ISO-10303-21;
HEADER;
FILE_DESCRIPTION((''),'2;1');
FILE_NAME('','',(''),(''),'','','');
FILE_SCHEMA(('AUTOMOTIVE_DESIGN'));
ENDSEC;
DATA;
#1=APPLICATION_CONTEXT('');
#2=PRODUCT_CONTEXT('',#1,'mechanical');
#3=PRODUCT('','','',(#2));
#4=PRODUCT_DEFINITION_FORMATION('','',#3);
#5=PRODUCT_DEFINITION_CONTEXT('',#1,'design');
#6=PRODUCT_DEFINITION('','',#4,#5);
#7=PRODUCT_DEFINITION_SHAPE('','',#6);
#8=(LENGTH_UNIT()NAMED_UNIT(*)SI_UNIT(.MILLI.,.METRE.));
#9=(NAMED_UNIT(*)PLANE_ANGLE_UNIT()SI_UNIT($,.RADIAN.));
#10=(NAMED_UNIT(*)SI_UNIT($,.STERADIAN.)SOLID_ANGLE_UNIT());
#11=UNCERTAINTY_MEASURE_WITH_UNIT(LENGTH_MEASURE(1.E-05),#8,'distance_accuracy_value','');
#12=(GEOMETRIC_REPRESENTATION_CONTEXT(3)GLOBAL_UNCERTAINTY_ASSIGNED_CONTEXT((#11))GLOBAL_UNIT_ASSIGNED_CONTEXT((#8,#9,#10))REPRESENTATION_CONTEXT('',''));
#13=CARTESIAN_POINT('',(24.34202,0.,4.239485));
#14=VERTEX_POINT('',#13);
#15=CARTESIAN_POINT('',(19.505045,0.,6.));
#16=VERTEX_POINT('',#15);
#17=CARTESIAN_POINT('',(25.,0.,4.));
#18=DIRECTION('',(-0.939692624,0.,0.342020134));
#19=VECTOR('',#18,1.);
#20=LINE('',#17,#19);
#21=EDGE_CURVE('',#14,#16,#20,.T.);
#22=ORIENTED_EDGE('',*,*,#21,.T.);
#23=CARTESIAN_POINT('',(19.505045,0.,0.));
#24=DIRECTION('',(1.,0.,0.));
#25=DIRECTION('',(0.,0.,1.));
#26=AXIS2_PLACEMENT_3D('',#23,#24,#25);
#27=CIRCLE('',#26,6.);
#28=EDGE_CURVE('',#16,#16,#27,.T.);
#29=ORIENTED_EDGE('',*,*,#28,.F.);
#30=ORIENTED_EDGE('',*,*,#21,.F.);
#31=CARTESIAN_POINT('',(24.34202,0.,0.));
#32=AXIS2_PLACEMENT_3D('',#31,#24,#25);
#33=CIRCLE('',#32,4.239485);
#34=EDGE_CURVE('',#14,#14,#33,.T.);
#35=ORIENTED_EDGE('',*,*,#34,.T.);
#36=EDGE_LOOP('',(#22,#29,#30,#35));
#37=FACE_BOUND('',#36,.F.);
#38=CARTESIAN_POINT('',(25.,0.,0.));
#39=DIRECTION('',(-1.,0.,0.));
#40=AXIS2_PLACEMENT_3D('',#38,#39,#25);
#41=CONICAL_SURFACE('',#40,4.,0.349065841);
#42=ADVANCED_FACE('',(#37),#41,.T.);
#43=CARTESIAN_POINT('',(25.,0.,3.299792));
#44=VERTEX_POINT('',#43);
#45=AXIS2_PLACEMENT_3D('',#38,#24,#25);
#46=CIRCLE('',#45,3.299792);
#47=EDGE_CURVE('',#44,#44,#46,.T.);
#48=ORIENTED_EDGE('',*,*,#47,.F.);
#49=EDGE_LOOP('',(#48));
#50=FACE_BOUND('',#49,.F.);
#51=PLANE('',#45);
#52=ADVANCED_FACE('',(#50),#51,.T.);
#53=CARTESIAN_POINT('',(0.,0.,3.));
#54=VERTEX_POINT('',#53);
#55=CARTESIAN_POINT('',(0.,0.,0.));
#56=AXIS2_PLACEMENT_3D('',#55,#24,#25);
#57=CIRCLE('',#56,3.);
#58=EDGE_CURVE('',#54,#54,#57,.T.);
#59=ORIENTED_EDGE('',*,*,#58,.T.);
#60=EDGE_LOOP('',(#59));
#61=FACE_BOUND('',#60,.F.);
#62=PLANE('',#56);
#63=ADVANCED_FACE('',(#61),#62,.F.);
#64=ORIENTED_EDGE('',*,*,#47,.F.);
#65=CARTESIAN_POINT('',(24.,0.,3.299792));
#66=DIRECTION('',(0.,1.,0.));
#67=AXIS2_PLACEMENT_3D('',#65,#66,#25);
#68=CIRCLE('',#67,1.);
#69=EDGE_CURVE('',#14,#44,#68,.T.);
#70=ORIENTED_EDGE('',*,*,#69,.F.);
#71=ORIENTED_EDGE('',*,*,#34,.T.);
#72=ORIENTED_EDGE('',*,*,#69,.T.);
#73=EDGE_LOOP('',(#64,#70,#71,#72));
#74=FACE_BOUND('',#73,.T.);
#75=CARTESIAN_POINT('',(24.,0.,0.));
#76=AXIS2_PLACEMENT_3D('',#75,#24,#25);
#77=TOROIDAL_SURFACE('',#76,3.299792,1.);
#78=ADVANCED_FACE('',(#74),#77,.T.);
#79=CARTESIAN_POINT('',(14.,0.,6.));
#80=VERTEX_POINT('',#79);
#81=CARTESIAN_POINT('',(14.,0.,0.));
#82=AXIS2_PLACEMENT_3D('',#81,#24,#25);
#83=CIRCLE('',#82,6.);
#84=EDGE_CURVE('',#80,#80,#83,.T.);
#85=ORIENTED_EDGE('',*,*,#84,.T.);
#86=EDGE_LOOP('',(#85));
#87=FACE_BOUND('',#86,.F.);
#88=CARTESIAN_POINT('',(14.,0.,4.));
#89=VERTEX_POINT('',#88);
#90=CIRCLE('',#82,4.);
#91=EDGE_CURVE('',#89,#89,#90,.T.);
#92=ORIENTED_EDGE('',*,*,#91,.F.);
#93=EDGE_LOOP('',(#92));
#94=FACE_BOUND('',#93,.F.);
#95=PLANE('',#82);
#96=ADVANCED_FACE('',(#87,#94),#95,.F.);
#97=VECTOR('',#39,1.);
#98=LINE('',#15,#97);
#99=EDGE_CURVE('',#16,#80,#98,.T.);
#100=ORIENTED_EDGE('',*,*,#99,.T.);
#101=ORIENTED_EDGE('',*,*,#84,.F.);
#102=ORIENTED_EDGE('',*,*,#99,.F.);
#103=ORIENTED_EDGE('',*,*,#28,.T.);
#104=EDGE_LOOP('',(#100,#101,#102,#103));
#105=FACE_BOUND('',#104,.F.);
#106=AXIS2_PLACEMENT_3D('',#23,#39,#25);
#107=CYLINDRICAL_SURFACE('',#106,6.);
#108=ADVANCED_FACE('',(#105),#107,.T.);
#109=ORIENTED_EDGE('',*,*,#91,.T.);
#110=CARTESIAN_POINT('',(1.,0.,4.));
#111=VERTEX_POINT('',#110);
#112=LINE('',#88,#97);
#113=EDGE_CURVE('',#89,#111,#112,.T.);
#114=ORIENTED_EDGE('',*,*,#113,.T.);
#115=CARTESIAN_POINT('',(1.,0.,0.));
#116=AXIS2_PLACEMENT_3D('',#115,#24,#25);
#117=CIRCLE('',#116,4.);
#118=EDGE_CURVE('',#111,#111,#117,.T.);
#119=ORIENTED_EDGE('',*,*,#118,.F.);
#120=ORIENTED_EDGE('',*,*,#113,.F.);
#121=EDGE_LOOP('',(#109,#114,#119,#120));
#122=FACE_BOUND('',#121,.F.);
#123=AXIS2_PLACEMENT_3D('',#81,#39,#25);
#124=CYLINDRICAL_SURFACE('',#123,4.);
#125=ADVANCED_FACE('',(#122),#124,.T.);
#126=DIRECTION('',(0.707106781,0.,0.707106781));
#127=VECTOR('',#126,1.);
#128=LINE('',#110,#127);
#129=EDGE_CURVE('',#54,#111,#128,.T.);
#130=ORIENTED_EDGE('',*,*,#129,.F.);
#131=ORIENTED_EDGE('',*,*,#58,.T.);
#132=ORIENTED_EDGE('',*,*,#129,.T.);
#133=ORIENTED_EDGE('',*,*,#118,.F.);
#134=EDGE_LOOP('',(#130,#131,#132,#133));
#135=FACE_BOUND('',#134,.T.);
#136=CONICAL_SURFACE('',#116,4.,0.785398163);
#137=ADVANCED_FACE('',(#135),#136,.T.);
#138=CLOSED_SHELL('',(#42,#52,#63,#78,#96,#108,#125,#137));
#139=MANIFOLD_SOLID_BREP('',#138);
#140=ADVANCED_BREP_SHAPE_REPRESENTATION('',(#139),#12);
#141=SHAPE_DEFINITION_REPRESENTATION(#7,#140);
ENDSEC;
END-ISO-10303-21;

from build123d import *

# Parameters (mm, degrees)
F2_SIZE = 1
F3_R    = 1


with BuildPart() as f1:
    # F0 (on Front) → F1 (revolve)
    with BuildSketch(Plane.XZ):
        Polygon((0, 4), (0, 0), (25, 0), (25, 4), (19.505045, 6), (14, 6), (14, 4), align=None)
    revolve(axis=Axis((10.323764, 0, 0), (1, 0, 0)))

    # F2
    f2_edges = [f1.edges().sort_by_distance(p)[0] for p in [
        (0, 0, -4),
    ]]
    chamfer(f2_edges, length=F2_SIZE)

    # F3
    f3_edges = [f1.edges().sort_by_distance(p)[0] for p in [
        (25, 0, -4),
    ]]
    fillet(f3_edges, radius=F3_R)


solid = f1.part
